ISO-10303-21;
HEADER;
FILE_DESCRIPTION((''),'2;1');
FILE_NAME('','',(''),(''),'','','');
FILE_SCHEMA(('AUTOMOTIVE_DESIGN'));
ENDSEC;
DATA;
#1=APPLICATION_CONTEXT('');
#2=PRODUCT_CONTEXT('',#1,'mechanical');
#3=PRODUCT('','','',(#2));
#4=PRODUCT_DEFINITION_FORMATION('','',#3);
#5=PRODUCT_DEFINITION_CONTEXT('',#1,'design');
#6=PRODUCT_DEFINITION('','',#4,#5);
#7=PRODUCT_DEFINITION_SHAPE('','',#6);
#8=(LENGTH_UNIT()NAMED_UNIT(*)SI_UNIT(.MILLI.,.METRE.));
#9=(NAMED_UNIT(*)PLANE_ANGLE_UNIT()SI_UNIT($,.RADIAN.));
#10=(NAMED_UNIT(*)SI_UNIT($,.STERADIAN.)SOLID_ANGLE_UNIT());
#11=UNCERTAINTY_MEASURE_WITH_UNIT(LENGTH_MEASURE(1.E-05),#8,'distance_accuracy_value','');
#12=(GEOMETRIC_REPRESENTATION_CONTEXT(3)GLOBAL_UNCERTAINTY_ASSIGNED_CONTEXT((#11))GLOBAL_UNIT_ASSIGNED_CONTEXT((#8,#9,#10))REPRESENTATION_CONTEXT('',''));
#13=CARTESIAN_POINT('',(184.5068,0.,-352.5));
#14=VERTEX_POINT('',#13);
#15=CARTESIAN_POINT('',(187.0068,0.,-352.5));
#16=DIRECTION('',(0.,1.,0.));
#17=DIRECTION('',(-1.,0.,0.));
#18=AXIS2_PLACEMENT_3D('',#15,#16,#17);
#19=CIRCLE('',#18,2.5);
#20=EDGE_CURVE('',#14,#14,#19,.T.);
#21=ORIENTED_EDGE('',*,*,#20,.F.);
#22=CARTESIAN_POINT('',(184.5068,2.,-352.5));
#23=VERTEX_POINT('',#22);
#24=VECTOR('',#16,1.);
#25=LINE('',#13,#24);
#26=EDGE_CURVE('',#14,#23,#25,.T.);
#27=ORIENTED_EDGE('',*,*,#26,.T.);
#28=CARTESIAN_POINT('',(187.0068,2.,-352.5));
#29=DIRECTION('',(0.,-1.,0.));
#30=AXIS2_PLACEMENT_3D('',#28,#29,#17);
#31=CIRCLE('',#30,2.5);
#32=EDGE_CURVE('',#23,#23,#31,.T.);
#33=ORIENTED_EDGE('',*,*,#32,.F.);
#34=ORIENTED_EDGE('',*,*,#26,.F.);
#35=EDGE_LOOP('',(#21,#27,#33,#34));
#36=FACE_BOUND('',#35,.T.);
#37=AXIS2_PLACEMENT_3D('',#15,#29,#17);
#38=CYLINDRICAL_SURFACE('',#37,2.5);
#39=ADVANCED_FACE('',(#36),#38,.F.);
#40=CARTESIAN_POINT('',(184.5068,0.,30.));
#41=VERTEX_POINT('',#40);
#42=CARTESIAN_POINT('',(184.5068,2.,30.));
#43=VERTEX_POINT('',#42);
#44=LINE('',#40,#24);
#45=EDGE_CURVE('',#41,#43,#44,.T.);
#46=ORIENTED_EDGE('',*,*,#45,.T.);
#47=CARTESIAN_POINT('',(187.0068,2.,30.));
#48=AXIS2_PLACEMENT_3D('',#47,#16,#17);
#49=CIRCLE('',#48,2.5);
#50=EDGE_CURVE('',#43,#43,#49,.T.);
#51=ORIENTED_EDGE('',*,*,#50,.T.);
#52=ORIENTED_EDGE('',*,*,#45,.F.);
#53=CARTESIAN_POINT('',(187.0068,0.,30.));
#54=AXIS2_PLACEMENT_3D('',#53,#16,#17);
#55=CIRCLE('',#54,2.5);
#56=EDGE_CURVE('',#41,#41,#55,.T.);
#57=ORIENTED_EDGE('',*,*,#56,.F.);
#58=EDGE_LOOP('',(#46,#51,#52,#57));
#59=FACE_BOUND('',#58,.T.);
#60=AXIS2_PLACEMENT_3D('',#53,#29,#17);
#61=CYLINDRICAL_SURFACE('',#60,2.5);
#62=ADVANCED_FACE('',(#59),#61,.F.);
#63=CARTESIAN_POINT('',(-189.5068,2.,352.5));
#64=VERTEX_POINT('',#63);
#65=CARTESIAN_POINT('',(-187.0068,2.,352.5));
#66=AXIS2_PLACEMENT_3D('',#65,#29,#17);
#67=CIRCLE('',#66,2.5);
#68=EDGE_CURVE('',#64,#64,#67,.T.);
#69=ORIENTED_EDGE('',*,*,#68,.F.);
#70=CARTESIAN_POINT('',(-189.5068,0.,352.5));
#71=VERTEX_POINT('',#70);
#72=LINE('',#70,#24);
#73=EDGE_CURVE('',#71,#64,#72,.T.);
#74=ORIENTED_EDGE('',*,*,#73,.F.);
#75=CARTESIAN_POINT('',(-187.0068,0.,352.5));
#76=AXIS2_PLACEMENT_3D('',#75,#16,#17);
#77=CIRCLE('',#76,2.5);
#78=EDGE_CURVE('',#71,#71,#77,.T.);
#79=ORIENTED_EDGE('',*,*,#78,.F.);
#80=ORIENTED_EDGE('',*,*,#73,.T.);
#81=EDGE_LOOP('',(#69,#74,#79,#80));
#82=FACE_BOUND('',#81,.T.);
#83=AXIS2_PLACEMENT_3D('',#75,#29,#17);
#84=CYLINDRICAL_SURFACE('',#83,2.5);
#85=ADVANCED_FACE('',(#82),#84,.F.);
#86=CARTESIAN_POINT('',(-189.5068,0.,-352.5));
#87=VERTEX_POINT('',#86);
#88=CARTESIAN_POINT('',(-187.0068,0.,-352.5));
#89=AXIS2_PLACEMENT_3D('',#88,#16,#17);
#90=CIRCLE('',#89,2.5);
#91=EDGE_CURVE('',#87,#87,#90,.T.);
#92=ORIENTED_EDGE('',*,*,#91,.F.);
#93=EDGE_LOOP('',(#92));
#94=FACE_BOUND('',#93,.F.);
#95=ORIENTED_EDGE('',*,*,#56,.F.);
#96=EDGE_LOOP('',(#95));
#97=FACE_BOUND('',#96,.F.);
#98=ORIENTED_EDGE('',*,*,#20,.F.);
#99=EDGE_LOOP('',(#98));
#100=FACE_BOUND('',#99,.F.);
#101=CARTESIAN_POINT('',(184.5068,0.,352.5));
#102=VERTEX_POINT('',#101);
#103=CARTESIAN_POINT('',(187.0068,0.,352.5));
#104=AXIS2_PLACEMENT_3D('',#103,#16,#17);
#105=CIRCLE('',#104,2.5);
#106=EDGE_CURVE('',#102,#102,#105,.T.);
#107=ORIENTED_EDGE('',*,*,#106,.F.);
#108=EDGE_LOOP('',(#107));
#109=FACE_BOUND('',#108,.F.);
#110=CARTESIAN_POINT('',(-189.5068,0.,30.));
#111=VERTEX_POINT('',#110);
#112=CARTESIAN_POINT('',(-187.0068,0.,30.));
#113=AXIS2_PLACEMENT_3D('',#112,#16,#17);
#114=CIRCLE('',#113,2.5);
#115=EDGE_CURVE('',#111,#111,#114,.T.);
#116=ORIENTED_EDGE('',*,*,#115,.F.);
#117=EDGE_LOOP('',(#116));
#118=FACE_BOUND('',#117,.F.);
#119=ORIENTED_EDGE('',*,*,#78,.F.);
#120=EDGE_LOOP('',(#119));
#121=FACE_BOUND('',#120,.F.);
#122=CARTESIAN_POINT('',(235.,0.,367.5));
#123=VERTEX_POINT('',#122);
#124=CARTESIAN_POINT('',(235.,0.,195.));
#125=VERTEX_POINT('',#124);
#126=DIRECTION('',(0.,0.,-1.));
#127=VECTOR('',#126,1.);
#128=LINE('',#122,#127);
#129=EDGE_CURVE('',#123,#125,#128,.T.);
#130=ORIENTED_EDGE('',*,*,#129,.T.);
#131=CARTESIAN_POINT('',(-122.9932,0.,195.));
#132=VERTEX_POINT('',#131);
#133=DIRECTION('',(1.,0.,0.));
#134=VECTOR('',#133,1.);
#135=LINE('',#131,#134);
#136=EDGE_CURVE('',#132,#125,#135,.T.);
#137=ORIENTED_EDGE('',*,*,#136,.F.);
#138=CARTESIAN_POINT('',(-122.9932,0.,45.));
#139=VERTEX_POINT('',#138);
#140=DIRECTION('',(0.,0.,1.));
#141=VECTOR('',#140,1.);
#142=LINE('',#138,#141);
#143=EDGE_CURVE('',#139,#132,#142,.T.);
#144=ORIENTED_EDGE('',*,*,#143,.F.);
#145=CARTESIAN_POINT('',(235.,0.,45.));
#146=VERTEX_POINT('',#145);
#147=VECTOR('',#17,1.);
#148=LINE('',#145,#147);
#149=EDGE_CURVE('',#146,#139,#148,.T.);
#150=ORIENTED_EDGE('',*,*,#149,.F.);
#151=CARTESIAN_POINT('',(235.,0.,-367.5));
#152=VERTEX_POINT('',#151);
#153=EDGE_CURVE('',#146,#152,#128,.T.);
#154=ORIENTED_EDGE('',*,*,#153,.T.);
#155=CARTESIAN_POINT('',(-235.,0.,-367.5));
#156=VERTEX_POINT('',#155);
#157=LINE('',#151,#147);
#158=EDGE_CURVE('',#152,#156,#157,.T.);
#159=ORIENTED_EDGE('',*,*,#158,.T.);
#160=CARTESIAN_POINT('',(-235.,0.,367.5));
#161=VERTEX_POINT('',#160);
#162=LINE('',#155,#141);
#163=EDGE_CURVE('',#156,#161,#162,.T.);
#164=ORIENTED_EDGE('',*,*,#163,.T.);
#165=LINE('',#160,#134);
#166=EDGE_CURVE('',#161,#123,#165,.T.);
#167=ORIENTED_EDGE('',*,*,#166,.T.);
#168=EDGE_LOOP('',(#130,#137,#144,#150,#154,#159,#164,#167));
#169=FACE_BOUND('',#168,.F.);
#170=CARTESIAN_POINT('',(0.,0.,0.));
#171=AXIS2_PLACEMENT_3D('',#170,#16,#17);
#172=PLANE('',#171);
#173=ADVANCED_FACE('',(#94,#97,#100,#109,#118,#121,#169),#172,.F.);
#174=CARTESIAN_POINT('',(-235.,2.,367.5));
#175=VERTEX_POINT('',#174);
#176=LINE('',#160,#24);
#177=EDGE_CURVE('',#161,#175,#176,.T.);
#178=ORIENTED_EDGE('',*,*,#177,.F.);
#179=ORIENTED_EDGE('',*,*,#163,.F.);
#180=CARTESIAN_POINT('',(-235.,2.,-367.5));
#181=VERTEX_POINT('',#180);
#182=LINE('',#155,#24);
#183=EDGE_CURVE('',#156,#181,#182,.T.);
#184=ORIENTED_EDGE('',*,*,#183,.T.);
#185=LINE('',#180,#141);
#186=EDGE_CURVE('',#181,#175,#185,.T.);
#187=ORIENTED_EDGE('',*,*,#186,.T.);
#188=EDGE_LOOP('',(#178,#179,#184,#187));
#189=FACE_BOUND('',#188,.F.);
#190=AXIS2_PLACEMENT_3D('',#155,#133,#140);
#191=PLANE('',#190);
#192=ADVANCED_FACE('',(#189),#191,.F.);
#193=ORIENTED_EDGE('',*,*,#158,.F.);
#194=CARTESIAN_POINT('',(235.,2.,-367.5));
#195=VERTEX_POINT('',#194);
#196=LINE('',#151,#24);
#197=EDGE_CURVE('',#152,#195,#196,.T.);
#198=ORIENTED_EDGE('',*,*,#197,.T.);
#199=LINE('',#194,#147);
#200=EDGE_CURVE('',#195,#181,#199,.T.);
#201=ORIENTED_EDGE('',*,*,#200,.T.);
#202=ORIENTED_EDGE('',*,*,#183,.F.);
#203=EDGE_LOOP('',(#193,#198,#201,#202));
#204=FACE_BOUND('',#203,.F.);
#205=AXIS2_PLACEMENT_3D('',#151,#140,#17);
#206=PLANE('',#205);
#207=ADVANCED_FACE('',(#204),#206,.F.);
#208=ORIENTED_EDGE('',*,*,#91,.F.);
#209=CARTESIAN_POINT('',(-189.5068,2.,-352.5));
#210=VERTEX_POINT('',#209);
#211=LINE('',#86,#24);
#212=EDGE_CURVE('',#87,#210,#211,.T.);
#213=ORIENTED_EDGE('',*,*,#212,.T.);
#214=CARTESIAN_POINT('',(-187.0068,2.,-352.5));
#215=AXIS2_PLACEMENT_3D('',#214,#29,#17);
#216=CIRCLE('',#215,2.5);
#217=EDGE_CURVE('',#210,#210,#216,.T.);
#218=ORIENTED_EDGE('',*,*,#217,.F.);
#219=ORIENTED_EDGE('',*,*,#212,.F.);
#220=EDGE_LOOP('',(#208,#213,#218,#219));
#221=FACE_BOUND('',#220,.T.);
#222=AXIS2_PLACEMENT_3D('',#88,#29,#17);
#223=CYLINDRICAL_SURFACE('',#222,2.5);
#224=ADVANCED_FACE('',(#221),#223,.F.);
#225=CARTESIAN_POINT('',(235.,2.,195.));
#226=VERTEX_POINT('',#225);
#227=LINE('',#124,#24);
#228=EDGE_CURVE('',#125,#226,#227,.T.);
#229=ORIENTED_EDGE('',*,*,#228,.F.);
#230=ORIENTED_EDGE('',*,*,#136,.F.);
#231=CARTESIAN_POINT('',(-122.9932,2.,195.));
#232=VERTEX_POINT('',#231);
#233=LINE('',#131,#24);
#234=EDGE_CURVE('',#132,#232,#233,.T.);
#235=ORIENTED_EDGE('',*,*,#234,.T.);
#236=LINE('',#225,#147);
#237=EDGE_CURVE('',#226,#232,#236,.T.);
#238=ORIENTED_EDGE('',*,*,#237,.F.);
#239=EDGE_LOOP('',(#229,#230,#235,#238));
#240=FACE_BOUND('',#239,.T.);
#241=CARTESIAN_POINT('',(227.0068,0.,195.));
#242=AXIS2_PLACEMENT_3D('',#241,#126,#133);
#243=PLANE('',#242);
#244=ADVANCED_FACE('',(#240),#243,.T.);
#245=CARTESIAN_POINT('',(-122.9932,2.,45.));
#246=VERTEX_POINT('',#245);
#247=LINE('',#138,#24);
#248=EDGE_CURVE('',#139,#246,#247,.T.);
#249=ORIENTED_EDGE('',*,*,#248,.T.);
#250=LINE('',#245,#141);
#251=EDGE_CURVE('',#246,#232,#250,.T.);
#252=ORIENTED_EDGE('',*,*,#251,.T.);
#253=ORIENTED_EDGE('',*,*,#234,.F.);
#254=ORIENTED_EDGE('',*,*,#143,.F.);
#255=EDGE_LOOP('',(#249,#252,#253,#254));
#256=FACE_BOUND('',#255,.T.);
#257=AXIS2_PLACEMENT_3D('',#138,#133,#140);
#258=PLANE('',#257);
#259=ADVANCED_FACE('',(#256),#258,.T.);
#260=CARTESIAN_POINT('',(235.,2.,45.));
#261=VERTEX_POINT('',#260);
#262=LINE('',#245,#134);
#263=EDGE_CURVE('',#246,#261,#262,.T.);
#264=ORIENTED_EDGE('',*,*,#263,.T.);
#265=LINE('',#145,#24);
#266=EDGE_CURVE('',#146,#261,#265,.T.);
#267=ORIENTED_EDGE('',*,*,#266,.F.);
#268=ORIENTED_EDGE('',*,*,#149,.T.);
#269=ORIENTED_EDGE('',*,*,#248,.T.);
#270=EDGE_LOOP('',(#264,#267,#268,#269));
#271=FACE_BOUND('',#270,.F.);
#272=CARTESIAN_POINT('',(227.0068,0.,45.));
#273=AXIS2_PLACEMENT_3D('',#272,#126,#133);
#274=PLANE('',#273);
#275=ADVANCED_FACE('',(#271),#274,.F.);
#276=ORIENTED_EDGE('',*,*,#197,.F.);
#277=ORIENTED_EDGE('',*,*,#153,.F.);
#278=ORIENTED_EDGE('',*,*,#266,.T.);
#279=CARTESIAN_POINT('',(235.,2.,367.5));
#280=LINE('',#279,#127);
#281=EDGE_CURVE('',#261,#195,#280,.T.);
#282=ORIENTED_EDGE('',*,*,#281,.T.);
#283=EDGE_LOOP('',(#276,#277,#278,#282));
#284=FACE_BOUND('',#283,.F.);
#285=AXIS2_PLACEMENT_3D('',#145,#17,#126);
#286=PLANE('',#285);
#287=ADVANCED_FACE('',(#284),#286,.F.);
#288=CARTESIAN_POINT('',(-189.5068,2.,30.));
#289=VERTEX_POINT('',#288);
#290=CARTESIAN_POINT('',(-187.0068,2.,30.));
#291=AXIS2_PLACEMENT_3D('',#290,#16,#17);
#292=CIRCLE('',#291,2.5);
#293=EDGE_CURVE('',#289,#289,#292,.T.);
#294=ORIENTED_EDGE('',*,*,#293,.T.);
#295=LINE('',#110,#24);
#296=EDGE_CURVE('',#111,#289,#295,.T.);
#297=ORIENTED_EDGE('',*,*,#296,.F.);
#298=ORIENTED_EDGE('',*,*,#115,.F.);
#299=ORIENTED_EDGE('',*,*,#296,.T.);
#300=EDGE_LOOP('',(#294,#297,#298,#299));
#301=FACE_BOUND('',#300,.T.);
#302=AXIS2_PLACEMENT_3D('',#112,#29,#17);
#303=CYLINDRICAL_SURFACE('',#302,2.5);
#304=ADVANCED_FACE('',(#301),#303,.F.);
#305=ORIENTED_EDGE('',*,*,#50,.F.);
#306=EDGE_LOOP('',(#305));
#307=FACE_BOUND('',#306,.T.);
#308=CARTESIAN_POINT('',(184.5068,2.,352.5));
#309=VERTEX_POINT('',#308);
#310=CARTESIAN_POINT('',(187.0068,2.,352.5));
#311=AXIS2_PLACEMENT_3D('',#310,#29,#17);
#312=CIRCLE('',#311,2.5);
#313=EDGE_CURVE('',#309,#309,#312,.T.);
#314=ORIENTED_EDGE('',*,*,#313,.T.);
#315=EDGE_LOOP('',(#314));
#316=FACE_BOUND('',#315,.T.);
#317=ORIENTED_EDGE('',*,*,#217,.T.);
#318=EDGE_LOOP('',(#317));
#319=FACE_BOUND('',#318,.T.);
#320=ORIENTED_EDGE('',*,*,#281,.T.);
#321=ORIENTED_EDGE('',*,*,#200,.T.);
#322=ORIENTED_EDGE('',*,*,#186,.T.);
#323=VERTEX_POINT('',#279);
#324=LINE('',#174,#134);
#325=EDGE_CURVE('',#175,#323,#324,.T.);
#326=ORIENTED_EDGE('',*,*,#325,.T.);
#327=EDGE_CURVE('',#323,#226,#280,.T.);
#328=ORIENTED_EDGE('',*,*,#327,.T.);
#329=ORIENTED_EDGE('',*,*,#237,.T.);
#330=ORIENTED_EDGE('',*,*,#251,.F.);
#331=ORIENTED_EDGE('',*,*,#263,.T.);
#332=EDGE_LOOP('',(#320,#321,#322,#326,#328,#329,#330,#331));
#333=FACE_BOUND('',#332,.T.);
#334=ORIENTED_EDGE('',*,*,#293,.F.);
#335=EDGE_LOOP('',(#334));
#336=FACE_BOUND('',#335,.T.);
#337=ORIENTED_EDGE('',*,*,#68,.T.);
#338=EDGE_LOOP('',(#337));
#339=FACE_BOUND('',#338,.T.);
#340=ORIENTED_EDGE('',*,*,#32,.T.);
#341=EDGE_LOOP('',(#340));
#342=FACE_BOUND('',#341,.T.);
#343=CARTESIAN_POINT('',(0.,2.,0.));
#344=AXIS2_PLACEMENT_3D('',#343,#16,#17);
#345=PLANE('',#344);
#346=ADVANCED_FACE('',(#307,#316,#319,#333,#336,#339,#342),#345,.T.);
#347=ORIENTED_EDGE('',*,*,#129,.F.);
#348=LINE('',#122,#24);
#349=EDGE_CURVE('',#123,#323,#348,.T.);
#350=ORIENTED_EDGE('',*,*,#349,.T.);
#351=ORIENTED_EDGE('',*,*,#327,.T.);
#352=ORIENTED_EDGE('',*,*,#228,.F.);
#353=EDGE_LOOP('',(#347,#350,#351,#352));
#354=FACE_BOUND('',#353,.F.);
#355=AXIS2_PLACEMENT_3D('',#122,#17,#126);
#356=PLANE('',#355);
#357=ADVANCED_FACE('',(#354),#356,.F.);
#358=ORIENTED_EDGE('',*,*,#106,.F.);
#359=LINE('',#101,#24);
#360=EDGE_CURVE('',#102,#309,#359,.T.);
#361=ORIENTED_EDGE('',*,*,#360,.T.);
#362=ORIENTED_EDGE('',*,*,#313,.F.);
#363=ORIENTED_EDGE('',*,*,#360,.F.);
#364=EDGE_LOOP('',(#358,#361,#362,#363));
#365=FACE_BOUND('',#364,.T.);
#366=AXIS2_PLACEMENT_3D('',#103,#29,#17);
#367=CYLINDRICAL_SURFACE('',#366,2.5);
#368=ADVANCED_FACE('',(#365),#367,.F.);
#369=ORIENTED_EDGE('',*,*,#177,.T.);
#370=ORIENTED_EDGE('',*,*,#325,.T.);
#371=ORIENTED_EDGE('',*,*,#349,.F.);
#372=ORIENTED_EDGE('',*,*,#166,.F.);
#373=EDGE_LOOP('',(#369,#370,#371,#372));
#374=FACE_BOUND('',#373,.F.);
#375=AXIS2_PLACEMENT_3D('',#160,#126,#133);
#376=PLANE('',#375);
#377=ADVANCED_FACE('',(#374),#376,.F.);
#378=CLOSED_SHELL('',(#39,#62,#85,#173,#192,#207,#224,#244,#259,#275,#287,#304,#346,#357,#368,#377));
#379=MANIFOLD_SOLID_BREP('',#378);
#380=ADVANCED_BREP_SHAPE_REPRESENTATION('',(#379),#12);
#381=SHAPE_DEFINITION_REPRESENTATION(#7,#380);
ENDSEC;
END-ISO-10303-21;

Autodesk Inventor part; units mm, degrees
ref_plane "YZ Plane" through (0, 0, 0) normal (1, 0, 0) x (0, 1, 0)
ref_plane "XZ Plane" through (0, 0, 0) normal (0, 1, 0) x (-1, 0, 0)
ref_plane "XY Plane" through (0, 0, 0) normal (0, 0, 1) x (1, 0, 0)
sketch "Esquisse1" plane through (0, 0, 0) normal (0, 1, 0) x (-1, 0, 0)
  line L0 (235, 367.5) -> (-235, 367.5)
  line L1 (-235, 367.5) -> (-235, -367.5)
  line L2 (-235, -367.5) -> (235, -367.5)
  line L3 (235, -367.5) -> (235, 367.5)
  line L4 (235, 367.5) -> (-235, -367.5) construction
  line L5 (-235, 367.5) -> (235, -367.5) construction
  line L6 (227.0068, 355) -> (-227.0068, 355)
  line L7 (-227.0068, -355) -> (227.0068, -355)
  line L8 (227.0068, -355) -> (227.0068, 355)
  line L9 (227.0068, 355) -> (-227.0068, -355) construction
  line L10 (-227.0068, 355) -> (227.0068, -355) construction
  line L11 (122.9932, 195) -> (-227.0068, 195)
  line L12 (-227.0068, 195) -> (-227.0068, 45)
  line L13 (-227.0068, 45) -> (122.9932, 45)
  line L14 (122.9932, 45) -> (122.9932, 195)
  line L15 (122.9932, 195) -> (-227.0068, 45) construction
  line L16 (-227.0068, 195) -> (122.9932, 45) construction
  circle A0 centre (-187.0068, -352.5) radius 2.5
  circle A1 centre (187.0068, -352.5) radius 2.5
  circle A2 centre (187.0068, 30) radius 2.5
  circle A3 centre (-187.0068, 30) radius 2.5
  circle A4 centre (-187.0068, 352.5) radius 2.5
  circle A5 centre (187.0068, 352.5) radius 2.5
  line L17 (-227.0068, -355) -> (-197.0068, -355)
  line L18 (-227.0068, -325) -> (-227.0068, -355)
  line L19 (-227.0068, 45) -> (-235, 45)
  line L20 (-227.0068, 195) -> (-235, 195)
  line L21 (-227.0068, 355) -> (-227.0068, 195)
  line L22 (-227.0068, 45) -> (-227.0068, -355)
  point P0 (0, 0)
  point P1 (-52.0068, 120)
  dimension "d0" = 735
  dimension "d1" = 470
  dimension "d2" = 12.5
  dimension "d3" = 160
  dimension "d4" = 150
  dimension "d5" = 350
  dimension "d6" = 5
  dimension "d7" = 5
  dimension "d8" = 5
  dimension "d9" = 5
  dimension "d10" = 5
  dimension "d11" = 5
  dimension "d16" = 40
  dimension "d17" = 40
  dimension "d21" = 40
  dimension "d22" = 397.5
  dimension "d23" = 397.5
extrude "Extrusion1" add sketch "Esquisse1" along normal blind 2 contours L3 L2 L1 L19 L22 L18 L7 L8 L6 L21 L20 L0 | L21 L6 L8 L7 L18 L22 L13 L14 L11
properties part number "PlaqueSupperieur"
